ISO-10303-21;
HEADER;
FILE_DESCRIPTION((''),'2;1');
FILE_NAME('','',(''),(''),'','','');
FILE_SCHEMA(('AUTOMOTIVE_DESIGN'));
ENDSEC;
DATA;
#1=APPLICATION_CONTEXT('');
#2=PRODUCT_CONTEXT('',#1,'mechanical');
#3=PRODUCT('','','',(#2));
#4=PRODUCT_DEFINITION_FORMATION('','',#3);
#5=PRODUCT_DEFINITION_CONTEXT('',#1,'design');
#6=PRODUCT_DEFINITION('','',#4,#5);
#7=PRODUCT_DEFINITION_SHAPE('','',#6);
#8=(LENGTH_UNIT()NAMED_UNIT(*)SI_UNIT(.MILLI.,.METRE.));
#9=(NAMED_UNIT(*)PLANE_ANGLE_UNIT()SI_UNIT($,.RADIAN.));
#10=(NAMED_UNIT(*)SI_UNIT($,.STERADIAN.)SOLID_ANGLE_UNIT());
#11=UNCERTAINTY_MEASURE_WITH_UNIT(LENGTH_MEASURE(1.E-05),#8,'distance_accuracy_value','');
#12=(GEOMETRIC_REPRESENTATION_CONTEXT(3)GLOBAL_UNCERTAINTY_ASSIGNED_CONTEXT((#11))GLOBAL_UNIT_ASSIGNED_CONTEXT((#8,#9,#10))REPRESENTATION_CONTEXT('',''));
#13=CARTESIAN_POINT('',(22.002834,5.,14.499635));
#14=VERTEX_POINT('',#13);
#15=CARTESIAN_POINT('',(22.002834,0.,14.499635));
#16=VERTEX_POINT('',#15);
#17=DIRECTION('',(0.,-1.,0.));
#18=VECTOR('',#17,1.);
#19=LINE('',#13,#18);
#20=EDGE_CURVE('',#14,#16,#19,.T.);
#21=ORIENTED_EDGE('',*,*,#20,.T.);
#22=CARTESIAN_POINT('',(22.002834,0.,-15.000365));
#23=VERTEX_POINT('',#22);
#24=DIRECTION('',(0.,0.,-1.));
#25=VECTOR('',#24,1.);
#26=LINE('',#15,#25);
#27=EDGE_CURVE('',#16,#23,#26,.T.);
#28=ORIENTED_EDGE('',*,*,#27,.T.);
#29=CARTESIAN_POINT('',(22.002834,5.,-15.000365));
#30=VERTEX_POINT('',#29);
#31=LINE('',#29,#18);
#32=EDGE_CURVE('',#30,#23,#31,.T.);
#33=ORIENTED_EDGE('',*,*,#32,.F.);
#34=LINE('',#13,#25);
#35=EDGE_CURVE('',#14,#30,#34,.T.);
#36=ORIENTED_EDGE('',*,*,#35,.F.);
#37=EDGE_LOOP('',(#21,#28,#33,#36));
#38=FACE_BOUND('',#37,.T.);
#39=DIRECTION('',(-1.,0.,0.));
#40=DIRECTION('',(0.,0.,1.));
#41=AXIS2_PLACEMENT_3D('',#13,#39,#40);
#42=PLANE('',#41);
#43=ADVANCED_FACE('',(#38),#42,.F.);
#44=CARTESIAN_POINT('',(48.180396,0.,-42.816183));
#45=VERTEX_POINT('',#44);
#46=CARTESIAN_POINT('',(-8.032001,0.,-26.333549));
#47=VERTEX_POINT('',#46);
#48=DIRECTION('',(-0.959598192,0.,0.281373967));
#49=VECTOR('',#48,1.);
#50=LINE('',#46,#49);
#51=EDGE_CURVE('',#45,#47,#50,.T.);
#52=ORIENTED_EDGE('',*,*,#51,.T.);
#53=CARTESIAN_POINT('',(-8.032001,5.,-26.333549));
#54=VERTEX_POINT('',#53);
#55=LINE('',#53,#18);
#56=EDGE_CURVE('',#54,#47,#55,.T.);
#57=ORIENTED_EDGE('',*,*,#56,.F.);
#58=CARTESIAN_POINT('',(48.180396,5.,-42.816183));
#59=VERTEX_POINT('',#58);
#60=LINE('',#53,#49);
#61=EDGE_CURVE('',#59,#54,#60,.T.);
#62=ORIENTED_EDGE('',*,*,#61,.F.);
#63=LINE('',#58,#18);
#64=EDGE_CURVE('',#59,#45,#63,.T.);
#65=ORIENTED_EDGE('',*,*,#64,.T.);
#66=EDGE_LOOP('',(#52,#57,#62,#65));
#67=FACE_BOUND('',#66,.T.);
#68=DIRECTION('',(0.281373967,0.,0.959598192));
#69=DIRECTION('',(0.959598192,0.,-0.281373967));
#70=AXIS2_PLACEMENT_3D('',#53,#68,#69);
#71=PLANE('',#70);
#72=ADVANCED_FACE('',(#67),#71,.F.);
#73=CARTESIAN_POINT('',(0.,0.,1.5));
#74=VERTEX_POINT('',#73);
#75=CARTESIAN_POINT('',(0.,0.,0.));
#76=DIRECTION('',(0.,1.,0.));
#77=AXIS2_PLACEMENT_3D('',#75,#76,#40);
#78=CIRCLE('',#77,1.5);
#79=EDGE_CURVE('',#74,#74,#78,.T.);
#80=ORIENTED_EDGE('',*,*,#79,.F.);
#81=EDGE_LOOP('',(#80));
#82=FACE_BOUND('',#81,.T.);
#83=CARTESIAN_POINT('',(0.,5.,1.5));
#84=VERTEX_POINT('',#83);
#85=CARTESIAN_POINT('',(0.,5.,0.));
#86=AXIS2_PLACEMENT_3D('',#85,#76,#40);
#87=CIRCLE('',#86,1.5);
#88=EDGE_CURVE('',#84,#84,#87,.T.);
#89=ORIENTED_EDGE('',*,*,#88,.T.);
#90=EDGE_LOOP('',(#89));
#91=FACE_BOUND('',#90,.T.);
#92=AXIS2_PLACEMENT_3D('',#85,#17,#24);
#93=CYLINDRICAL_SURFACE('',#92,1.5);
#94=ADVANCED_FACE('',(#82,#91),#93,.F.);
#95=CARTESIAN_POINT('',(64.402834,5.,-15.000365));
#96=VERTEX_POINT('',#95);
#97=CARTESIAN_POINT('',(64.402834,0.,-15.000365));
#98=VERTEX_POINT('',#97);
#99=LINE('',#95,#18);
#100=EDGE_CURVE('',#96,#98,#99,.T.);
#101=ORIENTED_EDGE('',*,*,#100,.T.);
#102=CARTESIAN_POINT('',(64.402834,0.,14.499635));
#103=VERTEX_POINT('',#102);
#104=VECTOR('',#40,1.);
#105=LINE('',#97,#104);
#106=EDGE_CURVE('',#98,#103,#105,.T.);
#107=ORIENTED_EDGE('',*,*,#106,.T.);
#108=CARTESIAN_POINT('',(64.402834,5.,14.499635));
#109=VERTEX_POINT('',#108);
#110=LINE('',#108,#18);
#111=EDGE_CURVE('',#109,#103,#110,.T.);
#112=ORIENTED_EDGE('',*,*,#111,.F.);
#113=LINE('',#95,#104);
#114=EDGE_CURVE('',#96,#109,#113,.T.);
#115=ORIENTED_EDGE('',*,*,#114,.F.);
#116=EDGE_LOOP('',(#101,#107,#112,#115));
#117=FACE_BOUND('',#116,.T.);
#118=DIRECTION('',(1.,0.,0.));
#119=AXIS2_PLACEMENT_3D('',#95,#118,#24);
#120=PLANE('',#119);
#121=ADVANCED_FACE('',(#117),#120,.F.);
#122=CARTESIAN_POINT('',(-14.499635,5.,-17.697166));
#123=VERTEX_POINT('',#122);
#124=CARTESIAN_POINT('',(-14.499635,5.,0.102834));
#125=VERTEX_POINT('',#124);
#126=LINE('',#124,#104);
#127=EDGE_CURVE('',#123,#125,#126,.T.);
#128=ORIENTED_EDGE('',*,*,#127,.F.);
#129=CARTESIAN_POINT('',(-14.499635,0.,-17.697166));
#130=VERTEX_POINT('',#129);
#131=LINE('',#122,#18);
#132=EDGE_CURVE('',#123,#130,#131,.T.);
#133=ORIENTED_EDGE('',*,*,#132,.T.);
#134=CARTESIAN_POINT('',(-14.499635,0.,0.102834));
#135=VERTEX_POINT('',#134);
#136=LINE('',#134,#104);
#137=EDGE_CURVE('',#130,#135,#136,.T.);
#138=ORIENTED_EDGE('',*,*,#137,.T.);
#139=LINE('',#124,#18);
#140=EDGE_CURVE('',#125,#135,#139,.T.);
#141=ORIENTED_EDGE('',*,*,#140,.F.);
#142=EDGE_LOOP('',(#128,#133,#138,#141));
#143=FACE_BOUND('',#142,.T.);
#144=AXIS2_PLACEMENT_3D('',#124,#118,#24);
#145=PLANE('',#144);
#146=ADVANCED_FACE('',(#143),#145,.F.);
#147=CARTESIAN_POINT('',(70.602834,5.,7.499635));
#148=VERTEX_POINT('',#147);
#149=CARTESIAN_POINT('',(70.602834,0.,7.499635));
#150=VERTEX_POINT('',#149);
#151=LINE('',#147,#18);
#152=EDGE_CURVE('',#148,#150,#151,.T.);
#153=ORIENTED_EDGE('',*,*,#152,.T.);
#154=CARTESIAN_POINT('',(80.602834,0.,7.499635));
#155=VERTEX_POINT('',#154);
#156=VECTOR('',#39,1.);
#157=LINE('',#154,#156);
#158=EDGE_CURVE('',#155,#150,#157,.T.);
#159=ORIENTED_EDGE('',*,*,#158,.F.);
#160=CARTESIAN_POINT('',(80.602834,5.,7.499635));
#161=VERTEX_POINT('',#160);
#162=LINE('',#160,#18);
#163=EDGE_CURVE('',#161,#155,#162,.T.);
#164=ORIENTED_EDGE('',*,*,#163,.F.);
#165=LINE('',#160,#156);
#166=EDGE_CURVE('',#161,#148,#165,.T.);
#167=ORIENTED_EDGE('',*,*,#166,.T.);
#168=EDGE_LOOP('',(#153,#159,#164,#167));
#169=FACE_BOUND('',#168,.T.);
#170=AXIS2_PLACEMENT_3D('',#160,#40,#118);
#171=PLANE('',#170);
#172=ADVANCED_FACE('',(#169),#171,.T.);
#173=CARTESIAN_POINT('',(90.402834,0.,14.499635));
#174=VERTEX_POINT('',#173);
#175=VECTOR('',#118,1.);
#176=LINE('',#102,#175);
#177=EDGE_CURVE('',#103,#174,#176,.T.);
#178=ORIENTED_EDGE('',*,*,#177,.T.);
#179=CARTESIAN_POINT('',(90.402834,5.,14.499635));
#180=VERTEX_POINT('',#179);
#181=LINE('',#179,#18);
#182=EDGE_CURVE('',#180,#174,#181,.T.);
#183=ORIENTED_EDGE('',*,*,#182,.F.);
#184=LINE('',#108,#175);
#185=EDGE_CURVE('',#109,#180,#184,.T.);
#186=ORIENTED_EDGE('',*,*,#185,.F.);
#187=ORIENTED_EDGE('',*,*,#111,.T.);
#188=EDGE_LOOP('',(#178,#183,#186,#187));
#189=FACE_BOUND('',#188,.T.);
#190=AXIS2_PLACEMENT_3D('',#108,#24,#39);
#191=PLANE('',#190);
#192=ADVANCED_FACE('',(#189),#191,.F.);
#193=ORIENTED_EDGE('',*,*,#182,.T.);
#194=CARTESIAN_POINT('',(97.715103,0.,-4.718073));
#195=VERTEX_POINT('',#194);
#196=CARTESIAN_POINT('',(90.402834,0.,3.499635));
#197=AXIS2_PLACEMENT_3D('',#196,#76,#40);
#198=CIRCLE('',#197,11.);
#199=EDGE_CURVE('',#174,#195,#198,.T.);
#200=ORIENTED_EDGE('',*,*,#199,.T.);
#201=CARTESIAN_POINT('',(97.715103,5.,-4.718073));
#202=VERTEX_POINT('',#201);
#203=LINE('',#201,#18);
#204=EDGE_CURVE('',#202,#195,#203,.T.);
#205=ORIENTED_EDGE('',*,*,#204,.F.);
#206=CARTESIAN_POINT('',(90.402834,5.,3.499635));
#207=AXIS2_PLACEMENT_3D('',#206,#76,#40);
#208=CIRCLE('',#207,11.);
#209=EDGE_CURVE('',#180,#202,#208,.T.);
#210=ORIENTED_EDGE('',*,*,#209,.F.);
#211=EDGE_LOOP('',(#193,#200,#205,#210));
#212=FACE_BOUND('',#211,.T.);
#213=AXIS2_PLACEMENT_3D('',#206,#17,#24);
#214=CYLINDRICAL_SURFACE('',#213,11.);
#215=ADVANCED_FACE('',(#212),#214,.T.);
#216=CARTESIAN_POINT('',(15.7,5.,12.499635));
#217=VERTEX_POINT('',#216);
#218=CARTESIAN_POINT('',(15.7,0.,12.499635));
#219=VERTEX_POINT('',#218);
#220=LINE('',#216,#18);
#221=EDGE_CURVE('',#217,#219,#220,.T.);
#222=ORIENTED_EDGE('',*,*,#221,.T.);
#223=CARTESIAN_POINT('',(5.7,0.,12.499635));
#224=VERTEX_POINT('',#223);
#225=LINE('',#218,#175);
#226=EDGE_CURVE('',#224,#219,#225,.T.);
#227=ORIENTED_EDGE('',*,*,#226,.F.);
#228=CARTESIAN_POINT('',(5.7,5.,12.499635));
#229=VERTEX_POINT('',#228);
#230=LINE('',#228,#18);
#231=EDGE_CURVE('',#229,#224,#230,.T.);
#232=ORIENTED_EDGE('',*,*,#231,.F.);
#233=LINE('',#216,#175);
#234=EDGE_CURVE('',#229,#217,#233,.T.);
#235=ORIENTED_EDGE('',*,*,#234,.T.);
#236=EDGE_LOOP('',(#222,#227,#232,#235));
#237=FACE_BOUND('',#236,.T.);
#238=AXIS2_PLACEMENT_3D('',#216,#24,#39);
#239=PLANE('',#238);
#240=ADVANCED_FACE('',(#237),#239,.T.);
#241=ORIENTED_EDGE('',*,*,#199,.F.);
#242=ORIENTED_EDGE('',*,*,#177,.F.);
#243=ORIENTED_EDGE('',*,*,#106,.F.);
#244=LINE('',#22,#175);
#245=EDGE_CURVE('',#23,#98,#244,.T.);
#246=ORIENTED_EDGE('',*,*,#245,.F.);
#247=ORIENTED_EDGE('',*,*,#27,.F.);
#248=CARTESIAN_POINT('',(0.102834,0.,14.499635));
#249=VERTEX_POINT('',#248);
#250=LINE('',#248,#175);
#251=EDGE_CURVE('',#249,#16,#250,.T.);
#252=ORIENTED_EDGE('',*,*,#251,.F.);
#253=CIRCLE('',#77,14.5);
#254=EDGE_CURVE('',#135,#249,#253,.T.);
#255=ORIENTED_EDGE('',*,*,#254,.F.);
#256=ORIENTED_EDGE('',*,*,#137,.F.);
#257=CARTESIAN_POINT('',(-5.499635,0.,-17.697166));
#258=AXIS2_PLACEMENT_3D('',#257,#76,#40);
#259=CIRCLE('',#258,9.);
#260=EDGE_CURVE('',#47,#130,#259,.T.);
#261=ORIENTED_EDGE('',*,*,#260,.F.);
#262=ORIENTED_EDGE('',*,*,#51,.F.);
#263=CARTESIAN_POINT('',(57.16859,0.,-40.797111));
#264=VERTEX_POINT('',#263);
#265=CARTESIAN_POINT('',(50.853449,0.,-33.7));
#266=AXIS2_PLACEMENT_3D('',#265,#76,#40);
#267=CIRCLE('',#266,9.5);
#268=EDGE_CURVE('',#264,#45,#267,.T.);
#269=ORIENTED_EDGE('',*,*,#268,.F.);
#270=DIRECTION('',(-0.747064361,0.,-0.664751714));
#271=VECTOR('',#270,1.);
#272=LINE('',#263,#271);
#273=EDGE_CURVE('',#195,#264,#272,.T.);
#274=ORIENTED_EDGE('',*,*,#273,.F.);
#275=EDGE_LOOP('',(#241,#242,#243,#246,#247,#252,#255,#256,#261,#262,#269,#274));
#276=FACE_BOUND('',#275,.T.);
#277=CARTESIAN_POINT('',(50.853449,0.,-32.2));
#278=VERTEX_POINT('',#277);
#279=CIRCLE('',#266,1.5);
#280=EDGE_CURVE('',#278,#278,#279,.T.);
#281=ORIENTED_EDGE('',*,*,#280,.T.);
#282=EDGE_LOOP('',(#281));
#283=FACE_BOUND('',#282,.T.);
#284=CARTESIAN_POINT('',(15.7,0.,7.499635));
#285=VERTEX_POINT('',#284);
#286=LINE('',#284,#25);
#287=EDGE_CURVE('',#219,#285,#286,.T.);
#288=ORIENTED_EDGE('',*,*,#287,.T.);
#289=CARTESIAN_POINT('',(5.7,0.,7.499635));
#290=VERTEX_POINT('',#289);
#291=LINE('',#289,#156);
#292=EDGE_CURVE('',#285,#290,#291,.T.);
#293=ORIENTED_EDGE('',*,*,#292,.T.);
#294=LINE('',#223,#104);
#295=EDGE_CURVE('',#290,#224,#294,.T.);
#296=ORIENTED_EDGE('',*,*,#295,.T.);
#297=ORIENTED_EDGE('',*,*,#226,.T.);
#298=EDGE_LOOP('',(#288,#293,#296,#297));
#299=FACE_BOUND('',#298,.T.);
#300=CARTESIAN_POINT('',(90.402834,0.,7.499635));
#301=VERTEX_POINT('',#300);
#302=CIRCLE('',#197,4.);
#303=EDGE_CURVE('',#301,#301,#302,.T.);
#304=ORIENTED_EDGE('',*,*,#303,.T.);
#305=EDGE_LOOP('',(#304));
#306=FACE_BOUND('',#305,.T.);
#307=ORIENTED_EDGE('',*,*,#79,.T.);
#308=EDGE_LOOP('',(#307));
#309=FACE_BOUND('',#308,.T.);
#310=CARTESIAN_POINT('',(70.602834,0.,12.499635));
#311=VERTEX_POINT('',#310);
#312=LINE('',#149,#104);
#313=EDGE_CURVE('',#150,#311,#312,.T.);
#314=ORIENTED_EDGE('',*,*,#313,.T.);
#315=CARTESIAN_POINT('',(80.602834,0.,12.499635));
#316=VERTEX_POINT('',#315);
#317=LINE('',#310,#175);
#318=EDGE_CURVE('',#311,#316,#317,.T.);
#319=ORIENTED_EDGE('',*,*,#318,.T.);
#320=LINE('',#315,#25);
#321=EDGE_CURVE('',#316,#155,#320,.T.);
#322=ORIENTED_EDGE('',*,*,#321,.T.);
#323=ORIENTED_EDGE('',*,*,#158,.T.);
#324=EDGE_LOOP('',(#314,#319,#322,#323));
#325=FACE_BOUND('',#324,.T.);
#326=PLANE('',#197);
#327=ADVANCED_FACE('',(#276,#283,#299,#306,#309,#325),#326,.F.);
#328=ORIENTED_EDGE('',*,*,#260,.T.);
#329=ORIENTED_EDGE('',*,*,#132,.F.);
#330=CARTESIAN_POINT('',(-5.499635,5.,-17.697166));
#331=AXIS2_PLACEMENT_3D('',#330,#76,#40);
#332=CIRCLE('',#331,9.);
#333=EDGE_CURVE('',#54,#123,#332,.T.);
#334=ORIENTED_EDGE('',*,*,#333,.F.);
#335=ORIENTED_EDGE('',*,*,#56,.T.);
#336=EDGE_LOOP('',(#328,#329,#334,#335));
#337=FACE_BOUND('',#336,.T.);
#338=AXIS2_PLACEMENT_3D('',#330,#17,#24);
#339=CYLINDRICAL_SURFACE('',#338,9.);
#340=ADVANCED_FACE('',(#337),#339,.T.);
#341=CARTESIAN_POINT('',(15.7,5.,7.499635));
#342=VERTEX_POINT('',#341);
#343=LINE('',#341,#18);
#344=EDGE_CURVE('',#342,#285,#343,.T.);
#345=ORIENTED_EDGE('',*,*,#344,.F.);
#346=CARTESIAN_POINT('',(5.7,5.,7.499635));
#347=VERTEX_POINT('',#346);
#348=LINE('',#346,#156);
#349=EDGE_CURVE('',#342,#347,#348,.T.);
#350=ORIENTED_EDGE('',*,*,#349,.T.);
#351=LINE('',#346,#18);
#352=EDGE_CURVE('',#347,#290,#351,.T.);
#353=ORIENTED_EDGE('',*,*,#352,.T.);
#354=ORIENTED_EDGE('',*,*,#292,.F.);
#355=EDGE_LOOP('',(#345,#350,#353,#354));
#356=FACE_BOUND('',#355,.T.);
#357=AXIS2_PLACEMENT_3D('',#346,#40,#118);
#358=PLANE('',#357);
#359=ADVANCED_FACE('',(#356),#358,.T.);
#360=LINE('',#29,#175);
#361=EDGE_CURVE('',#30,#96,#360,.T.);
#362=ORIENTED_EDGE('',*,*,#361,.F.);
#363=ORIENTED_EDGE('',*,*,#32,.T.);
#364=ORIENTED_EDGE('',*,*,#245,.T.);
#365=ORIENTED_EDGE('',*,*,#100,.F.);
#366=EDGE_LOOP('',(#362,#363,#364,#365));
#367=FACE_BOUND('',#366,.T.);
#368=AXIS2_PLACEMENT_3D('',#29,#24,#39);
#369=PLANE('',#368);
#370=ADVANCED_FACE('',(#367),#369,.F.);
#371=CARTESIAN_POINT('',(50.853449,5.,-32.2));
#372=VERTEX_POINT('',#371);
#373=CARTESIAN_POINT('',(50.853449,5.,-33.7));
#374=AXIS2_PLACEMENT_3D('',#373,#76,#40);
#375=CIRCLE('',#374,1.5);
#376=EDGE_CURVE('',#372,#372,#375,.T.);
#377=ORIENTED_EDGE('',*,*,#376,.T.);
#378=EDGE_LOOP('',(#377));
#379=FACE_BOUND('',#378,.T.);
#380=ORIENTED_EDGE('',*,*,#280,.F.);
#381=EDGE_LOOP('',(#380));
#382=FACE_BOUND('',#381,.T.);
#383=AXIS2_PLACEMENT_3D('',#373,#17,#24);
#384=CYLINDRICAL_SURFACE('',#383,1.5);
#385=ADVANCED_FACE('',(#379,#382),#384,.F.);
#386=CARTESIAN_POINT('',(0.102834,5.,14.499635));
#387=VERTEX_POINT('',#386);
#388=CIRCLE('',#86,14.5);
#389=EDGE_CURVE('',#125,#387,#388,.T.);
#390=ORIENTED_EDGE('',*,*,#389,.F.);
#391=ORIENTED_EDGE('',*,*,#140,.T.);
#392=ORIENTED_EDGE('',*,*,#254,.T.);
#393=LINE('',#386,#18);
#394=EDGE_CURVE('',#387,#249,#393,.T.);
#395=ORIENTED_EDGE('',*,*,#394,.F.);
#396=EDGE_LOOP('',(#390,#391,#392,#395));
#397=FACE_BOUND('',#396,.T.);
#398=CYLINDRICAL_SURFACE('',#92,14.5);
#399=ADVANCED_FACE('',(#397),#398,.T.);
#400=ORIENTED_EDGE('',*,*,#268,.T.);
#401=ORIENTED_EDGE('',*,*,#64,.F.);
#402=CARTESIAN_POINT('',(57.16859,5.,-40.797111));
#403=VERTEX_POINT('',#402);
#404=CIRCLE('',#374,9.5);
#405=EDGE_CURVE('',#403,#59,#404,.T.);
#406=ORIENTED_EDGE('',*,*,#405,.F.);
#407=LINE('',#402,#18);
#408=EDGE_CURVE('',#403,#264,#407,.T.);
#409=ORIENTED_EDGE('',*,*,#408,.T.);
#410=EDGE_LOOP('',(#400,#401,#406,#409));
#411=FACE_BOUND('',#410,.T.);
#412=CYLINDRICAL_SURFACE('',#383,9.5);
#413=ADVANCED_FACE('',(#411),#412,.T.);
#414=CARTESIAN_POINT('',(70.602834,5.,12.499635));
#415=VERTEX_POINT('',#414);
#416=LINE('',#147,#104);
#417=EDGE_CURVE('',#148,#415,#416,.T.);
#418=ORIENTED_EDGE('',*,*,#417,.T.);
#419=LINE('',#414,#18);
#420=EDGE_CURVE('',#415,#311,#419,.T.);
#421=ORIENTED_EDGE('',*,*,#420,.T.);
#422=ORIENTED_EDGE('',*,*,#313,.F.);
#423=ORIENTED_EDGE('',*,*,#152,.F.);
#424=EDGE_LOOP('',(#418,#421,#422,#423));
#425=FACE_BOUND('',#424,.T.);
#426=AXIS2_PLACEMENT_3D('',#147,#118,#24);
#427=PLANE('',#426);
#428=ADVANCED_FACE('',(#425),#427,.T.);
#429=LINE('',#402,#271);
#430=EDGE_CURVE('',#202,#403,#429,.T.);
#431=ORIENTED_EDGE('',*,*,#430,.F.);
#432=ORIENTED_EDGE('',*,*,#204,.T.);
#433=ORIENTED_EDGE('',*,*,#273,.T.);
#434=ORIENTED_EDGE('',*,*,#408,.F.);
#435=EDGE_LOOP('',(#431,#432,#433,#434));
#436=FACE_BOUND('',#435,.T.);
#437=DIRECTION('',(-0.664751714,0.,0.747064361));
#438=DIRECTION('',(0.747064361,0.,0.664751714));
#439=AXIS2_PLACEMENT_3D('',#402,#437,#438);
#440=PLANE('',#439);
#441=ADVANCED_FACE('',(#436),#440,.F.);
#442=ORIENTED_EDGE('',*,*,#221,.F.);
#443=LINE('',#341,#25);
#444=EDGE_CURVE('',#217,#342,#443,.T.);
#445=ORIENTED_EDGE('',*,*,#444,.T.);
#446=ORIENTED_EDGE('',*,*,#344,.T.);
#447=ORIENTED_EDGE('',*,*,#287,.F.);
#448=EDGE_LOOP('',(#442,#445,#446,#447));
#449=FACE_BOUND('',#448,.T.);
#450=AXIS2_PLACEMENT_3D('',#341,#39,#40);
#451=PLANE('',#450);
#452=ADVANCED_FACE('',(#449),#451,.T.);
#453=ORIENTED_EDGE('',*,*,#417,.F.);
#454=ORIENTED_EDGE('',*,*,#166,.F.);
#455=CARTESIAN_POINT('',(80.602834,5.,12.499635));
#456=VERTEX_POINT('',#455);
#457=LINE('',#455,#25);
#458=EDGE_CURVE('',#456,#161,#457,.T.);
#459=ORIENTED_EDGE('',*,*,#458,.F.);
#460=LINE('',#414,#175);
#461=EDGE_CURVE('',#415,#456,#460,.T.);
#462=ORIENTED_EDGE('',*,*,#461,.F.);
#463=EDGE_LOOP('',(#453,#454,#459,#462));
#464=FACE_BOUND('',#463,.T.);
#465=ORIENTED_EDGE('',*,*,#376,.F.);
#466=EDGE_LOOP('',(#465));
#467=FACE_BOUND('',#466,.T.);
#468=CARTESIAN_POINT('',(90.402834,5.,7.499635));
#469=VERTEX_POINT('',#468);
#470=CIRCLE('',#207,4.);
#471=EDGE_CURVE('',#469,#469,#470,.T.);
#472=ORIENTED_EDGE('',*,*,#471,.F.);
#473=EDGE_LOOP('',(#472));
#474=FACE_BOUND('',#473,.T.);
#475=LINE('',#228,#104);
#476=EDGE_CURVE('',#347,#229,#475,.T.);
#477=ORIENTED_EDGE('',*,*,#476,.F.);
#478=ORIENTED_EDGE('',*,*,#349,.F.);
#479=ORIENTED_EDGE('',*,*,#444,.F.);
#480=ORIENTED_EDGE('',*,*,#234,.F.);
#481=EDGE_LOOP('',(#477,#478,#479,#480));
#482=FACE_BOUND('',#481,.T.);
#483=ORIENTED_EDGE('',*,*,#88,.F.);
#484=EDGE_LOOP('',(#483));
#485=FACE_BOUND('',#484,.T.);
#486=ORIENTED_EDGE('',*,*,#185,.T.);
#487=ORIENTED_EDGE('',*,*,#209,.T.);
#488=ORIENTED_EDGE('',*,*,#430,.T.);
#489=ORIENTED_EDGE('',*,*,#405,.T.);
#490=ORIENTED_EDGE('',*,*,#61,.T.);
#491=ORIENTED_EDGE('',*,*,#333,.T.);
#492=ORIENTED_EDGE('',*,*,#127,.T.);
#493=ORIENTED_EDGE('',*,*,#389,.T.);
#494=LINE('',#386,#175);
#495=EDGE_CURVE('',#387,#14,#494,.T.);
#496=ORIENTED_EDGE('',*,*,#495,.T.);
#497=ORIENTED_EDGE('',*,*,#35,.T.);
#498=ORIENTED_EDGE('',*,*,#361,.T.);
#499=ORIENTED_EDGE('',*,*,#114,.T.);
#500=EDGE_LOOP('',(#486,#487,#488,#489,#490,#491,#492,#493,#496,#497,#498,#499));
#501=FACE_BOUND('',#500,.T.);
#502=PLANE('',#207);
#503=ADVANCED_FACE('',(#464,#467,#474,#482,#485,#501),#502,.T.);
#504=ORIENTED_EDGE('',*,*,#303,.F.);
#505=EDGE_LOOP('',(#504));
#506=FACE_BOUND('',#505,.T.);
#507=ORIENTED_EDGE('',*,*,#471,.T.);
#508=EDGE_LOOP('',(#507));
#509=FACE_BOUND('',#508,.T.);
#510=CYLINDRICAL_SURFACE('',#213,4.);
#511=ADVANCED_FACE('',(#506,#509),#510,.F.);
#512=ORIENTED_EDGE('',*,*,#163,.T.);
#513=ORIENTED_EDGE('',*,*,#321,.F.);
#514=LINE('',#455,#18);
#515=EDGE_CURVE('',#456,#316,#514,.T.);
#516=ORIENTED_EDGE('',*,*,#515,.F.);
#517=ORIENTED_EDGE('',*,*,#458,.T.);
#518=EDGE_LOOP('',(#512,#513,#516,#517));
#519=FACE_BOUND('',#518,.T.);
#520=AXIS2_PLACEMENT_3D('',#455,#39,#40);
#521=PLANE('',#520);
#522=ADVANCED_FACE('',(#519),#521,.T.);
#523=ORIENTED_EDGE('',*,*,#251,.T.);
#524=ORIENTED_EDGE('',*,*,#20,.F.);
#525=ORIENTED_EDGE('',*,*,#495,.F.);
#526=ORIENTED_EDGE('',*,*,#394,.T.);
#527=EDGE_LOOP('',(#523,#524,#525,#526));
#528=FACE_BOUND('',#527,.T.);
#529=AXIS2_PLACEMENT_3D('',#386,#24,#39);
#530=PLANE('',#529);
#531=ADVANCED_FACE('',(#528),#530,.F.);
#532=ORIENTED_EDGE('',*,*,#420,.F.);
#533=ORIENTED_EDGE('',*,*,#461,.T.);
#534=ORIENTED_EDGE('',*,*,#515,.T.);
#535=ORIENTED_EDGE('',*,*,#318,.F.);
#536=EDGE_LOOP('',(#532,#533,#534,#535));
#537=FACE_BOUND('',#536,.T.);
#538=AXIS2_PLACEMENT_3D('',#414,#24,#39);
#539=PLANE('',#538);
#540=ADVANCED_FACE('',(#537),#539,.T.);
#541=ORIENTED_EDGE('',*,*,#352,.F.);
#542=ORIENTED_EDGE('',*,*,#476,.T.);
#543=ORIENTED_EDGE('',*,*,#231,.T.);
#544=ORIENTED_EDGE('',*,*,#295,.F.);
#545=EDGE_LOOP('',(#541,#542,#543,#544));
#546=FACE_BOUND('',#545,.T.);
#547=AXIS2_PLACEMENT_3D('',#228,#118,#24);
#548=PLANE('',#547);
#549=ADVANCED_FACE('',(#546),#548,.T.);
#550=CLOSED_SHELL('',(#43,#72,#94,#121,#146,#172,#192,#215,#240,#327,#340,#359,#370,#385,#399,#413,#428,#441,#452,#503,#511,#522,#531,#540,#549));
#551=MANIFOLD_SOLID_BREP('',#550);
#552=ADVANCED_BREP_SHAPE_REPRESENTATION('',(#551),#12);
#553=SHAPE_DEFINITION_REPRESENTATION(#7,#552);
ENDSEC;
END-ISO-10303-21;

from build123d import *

# Parameters (mm, degrees)
SKETCH1_R           = 1.5
SKETCH1_R_2         = 4
SKETCH1_W           = 10
SKETCH1_H           = 5
BOSS_EXTRUDE1_DEPTH = 5


with BuildPart() as part:
    # Sketch1 → Boss-Extrude1 (new body)
    with BuildSketch(Plane(origin=(0, 0, 0), x_dir=(1, 0, 0), z_dir=(0, 1, 0))):
        with BuildLine():
            Line((0.102834293, -14.499635344), (22.002834293, -14.499635344))
            Line((22.002834293, -14.499635344), (22.002834293, 15.000364656))
            Line((22.002834293, 15.000364656), (64.402834293, 15.000364656))
            Line((64.402834293, 15.000364656), (64.402834293, -14.499635344))
            Line((64.402834293, -14.499635344), (90.402834293, -14.499635344))
            ThreePointArc((90.402834293, -14.499635344), (100.683758076, -7.411489913), (97.715103143, 4.718072625))
            Line((97.715103143, 4.718072625), (57.168590047, 40.797111428))
            ThreePointArc((57.168590047, 40.797111428), (52.935602616, 42.969014799), (48.180396076, 42.816182826))
            Line((48.180396076, 42.816182826), (-8.032001051, 26.333549436))
            ThreePointArc((-8.032001051, 26.333549436), (-12.703498591, 23.092010868), (-14.499635344, 17.697165707))
            Line((-14.499635344, 17.697165707), (-14.499635344, -0.102834293))
            ThreePointArc((-14.499635344, -0.102834293), (-10.18007565, -10.325505303), (0.102834293, -14.499635344))
        make_face()
        Circle(SKETCH1_R, mode=Mode.SUBTRACT)
        with Locations((90.402834293, -3.499635344)):
            Circle(SKETCH1_R_2, mode=Mode.SUBTRACT)
        with Locations((50.853448768, 33.7)):
            Circle(SKETCH1_R, mode=Mode.SUBTRACT)
        with Locations((10.7, -9.999635344)):
            Rectangle(SKETCH1_W, SKETCH1_H, mode=Mode.SUBTRACT)
        with Locations((75.602834293, -9.999635344)):
            Rectangle(SKETCH1_W, SKETCH1_H, mode=Mode.SUBTRACT)
    extrude(amount=BOSS_EXTRUDE1_DEPTH)


solid = part.part
